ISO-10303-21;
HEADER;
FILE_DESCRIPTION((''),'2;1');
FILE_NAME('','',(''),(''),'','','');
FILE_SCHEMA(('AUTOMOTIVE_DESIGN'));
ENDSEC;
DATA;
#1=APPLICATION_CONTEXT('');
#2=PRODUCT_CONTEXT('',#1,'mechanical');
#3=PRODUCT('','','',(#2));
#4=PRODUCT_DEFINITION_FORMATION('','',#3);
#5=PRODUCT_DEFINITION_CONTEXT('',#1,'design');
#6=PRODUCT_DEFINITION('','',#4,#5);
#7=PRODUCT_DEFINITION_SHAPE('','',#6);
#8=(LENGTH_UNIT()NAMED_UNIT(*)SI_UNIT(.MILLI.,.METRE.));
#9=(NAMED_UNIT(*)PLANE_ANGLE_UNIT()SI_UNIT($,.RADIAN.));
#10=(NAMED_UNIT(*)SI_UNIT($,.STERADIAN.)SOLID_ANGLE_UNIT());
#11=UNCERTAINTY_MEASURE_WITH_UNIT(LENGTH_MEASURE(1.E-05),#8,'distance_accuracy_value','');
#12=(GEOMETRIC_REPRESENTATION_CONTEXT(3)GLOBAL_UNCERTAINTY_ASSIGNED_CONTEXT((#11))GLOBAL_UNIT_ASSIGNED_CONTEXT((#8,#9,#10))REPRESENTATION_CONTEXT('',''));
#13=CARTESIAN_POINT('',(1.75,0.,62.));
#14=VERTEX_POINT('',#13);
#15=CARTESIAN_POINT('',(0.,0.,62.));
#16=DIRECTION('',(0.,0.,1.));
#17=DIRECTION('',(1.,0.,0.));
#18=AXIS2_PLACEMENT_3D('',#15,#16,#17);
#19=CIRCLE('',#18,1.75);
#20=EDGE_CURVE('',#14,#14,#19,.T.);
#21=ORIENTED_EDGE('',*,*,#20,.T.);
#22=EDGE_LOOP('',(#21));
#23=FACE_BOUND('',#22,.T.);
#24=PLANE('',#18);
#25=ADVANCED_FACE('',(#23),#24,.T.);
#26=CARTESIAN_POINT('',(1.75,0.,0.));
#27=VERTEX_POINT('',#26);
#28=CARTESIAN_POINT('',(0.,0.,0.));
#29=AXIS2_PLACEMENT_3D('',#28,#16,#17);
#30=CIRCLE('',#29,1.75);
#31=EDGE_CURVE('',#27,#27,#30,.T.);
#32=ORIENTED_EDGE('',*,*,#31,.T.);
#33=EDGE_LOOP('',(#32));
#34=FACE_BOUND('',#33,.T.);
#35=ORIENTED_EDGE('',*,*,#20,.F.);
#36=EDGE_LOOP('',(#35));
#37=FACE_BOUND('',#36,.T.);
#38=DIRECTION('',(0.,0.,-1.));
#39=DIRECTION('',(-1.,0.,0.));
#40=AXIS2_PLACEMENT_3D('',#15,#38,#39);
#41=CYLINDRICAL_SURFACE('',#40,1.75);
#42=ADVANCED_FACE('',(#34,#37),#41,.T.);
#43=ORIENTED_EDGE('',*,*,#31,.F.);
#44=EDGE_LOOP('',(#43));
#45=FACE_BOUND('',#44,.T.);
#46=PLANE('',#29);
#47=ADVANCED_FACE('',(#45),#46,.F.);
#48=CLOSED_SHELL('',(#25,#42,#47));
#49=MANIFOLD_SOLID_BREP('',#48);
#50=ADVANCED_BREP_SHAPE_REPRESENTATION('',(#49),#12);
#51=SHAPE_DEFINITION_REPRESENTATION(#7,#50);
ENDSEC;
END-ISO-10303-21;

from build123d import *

# Parameters (mm, degrees)
ESBO_O1_R                = 1.75
RESSALTO_EXTRUS_O1_DEPTH = 62


with BuildPart() as part:
    # Esboço1 → Ressalto-extrusão1 (new body)
    with BuildSketch(Plane.XY):
        Circle(ESBO_O1_R)
    extrude(amount=RESSALTO_EXTRUS_O1_DEPTH)


solid = part.part
